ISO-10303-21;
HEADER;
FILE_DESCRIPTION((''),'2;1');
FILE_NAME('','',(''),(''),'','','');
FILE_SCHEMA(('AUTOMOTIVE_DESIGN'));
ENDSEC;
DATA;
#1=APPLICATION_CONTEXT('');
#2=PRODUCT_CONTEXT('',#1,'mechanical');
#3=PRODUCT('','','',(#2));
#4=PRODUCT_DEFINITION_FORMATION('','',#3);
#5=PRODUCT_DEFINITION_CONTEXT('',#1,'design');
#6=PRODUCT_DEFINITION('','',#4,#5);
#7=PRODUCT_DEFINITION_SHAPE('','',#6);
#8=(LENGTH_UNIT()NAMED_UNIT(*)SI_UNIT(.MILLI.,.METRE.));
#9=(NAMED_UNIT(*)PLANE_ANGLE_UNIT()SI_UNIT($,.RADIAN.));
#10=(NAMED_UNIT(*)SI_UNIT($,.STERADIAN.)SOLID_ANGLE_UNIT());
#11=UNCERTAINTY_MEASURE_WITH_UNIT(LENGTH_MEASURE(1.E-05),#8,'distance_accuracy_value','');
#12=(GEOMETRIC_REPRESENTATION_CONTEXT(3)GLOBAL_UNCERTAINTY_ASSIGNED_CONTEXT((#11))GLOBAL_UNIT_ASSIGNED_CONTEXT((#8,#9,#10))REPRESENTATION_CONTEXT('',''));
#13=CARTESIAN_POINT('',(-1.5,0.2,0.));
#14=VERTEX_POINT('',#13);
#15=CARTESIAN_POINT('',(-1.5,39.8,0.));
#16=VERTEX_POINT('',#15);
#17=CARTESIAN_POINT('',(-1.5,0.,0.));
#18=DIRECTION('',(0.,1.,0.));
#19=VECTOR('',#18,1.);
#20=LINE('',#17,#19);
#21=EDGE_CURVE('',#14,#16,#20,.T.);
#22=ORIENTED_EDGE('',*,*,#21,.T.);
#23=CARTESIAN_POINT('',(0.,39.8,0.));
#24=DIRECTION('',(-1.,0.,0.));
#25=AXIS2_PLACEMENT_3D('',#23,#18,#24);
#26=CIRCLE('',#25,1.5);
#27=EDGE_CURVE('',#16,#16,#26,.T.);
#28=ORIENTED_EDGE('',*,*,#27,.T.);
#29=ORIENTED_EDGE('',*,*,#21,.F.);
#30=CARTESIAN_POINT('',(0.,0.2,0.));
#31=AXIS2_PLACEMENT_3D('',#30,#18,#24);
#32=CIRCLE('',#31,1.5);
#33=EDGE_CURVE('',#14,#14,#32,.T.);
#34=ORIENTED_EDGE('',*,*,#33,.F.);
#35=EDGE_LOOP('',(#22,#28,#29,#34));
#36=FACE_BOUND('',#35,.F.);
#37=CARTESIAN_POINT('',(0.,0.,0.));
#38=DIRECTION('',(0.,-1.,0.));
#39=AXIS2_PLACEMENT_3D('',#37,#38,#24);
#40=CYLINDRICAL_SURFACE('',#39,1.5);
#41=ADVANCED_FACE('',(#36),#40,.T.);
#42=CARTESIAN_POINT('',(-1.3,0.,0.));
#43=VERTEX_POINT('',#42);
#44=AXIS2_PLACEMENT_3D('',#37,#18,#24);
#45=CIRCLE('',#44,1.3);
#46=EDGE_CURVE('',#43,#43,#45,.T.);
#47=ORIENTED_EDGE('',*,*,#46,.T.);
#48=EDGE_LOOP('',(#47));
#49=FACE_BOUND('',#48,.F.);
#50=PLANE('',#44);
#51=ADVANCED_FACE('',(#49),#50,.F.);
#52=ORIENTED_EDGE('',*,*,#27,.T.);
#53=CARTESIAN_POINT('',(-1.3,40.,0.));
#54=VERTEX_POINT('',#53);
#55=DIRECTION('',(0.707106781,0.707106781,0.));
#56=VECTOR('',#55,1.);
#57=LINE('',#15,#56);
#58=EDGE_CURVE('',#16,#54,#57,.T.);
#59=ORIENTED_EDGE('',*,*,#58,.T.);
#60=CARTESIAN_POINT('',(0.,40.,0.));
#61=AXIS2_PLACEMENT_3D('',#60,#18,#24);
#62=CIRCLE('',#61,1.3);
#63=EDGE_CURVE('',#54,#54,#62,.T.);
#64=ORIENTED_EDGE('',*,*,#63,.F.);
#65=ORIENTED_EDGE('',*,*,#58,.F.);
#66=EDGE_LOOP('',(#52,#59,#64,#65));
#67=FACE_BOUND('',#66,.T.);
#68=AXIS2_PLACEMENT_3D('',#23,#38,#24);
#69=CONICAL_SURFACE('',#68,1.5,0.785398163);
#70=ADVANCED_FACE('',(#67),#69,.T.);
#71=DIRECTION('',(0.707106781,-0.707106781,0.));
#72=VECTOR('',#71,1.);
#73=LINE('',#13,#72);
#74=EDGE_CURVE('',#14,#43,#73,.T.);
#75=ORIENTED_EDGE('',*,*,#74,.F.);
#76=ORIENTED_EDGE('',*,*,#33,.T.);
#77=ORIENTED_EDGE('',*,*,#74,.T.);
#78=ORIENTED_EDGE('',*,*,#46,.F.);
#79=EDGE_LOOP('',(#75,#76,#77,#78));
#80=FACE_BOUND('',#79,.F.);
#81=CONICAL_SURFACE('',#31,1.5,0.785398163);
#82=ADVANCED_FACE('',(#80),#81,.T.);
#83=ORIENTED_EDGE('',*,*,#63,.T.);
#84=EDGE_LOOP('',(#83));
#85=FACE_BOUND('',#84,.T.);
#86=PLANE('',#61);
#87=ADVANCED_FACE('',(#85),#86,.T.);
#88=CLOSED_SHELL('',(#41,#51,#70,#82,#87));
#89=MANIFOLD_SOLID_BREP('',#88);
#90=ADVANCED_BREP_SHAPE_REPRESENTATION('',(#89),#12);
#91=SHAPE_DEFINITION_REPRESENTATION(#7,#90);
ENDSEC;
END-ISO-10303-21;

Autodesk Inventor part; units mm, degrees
ref_plane "YZ Plane" through (0, 0, 0) normal (1, 0, 0) x (0, 1, 0)
ref_plane "XZ Plane" through (0, 0, 0) normal (0, 1, 0) x (-1, 0, 0)
ref_plane "XY Plane" through (0, 0, 0) normal (0, 0, 1) x (1, 0, 0)
sketch "スケッチ1" plane through (0, 0, 0) normal (0, 1, 0) x (-1, 0, 0)
  circle A0 centre (0, 0) radius 1.5
  dimension "d0" = 3
extrude "押し出し1" add sketch "スケッチ1" along normal blind 40
chamfer "面取り1" distance 0.2 angle 45 2 edges at (1.5, 0, 0) (1.5, 40, 0)
properties part number "stopper" material "アルミニウム 6061"
